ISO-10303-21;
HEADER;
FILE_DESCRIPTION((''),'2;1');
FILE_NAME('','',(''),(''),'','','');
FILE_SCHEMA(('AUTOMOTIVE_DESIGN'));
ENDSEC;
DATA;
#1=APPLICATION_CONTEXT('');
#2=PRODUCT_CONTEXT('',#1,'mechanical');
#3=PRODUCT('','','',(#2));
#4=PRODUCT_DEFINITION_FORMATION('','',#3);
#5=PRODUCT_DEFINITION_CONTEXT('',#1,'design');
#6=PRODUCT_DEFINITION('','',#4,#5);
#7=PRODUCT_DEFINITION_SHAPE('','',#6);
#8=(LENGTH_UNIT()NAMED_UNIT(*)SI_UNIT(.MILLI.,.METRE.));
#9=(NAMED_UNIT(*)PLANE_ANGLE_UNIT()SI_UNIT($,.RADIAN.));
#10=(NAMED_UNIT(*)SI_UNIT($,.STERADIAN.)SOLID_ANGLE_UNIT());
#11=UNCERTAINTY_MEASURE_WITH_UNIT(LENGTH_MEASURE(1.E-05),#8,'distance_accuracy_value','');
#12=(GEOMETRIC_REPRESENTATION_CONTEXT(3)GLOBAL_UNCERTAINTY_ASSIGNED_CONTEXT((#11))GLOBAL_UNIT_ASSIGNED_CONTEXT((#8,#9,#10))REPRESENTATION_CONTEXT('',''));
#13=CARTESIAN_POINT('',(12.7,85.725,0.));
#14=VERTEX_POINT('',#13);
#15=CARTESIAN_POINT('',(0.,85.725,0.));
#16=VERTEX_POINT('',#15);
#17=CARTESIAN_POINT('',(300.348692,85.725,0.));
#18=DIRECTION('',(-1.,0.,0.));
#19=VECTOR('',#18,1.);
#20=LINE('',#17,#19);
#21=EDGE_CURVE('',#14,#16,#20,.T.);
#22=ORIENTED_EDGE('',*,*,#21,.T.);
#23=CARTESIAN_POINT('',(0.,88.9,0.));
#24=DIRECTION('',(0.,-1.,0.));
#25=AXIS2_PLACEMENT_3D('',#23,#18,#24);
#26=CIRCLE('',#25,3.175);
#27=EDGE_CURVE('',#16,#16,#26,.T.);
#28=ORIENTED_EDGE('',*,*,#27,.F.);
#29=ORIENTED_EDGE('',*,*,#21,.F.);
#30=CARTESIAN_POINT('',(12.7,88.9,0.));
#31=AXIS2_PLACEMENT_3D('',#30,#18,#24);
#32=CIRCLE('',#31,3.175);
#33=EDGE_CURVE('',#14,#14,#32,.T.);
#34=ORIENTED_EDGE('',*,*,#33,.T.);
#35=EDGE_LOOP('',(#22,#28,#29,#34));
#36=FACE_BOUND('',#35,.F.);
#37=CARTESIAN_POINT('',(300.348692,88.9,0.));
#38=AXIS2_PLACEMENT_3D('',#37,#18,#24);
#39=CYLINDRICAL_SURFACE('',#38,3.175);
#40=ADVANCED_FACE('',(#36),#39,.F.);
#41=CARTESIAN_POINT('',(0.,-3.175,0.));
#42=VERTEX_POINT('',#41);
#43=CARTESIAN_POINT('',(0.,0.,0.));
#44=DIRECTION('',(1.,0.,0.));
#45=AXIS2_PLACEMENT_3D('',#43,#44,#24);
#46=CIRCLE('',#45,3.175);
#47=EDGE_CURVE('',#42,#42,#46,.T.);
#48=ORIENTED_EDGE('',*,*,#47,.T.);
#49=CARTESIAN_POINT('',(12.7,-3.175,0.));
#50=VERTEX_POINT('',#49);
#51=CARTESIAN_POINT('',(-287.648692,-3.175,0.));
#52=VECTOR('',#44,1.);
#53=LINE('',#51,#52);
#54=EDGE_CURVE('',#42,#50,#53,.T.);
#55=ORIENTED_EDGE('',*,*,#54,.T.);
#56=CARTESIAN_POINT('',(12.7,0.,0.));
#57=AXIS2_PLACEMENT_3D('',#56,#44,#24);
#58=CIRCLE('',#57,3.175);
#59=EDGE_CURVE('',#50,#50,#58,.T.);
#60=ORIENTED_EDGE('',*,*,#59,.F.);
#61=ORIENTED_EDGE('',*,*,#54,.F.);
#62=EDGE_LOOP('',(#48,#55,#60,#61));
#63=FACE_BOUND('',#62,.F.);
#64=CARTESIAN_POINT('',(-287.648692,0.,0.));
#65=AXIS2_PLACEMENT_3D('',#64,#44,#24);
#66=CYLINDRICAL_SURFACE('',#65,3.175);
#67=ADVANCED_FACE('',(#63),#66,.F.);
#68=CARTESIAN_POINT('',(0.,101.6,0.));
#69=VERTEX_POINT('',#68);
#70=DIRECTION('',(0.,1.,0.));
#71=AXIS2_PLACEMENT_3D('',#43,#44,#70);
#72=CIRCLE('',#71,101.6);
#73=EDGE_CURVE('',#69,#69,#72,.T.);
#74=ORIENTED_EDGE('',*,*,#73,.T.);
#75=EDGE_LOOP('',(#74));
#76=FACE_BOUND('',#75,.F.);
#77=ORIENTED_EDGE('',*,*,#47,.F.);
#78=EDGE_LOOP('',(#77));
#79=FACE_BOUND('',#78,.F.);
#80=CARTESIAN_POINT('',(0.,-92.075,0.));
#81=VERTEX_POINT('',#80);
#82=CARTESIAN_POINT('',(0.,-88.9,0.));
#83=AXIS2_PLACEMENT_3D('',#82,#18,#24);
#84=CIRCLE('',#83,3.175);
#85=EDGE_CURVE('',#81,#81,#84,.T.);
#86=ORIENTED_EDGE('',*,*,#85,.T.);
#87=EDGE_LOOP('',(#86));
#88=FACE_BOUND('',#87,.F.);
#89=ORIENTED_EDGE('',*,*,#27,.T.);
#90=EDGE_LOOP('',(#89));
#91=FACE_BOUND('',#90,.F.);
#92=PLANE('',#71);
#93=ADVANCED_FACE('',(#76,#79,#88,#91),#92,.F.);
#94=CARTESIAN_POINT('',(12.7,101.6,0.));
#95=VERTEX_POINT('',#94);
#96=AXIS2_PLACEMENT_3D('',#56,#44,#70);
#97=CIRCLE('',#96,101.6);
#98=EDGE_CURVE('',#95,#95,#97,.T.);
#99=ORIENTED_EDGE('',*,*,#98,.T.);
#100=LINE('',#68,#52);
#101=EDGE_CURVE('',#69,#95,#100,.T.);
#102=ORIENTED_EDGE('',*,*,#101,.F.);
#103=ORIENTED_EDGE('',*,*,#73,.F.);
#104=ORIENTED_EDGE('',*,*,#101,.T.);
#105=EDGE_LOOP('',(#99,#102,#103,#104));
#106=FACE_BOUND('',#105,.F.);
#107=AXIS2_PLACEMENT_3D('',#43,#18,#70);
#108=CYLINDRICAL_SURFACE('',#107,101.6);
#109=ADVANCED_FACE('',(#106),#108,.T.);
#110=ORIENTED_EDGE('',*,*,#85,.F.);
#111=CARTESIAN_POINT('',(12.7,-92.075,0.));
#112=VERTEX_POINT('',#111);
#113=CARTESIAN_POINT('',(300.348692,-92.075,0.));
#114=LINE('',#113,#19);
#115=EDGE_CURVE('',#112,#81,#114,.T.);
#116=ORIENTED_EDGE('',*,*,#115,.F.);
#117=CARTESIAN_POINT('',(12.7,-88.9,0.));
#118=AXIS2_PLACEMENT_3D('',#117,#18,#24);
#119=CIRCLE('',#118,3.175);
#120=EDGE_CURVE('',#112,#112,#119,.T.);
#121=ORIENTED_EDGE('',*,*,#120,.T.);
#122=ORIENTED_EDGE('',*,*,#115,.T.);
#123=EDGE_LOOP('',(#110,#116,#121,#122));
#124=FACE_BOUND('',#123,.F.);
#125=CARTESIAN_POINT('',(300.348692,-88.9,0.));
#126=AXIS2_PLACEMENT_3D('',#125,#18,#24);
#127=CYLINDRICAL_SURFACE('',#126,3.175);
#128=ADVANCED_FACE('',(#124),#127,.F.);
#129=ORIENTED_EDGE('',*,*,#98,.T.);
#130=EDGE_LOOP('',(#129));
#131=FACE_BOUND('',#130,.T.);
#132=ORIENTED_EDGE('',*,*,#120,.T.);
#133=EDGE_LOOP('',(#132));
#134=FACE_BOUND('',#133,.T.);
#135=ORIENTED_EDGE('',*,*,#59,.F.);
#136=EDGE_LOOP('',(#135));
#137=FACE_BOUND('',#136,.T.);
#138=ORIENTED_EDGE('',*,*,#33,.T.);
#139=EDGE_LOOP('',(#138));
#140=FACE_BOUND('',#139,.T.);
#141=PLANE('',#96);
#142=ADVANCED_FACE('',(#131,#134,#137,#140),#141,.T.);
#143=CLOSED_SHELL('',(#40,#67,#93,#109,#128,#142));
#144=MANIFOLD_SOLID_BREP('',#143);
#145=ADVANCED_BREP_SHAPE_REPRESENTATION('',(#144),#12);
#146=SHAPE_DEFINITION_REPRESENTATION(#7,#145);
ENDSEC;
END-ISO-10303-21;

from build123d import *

# Parameters (mm, degrees)
F0_R     = 101.6
F2_DEPTH = 12.7
F3_D     = 6.35
F5_D     = 6.35
F7_D     = 6.35


with BuildPart() as f2:
    # F0 (on Right) → F2 (new body)
    with BuildSketch(Plane.YZ):
        Circle(F0_R)
    extrude(amount=F2_DEPTH)

    # F3 (through all)
    with Locations(Plane(origin=(0, 0, 0), x_dir=(0, 1, 0), z_dir=(-1, 0, 0))):
        with Locations((0, 0)):
            Hole(F3_D / 2)

    # F5 (through all)
    with Locations(Plane.YZ.offset(12.7)):
        with Locations((88.9, 0)):
            Hole(F5_D / 2)

    # F7 (through all)
    with Locations(Plane.YZ.offset(12.7)):
        with Locations((-88.9, 0)):
            Hole(F7_D / 2)


solid = f2.part
